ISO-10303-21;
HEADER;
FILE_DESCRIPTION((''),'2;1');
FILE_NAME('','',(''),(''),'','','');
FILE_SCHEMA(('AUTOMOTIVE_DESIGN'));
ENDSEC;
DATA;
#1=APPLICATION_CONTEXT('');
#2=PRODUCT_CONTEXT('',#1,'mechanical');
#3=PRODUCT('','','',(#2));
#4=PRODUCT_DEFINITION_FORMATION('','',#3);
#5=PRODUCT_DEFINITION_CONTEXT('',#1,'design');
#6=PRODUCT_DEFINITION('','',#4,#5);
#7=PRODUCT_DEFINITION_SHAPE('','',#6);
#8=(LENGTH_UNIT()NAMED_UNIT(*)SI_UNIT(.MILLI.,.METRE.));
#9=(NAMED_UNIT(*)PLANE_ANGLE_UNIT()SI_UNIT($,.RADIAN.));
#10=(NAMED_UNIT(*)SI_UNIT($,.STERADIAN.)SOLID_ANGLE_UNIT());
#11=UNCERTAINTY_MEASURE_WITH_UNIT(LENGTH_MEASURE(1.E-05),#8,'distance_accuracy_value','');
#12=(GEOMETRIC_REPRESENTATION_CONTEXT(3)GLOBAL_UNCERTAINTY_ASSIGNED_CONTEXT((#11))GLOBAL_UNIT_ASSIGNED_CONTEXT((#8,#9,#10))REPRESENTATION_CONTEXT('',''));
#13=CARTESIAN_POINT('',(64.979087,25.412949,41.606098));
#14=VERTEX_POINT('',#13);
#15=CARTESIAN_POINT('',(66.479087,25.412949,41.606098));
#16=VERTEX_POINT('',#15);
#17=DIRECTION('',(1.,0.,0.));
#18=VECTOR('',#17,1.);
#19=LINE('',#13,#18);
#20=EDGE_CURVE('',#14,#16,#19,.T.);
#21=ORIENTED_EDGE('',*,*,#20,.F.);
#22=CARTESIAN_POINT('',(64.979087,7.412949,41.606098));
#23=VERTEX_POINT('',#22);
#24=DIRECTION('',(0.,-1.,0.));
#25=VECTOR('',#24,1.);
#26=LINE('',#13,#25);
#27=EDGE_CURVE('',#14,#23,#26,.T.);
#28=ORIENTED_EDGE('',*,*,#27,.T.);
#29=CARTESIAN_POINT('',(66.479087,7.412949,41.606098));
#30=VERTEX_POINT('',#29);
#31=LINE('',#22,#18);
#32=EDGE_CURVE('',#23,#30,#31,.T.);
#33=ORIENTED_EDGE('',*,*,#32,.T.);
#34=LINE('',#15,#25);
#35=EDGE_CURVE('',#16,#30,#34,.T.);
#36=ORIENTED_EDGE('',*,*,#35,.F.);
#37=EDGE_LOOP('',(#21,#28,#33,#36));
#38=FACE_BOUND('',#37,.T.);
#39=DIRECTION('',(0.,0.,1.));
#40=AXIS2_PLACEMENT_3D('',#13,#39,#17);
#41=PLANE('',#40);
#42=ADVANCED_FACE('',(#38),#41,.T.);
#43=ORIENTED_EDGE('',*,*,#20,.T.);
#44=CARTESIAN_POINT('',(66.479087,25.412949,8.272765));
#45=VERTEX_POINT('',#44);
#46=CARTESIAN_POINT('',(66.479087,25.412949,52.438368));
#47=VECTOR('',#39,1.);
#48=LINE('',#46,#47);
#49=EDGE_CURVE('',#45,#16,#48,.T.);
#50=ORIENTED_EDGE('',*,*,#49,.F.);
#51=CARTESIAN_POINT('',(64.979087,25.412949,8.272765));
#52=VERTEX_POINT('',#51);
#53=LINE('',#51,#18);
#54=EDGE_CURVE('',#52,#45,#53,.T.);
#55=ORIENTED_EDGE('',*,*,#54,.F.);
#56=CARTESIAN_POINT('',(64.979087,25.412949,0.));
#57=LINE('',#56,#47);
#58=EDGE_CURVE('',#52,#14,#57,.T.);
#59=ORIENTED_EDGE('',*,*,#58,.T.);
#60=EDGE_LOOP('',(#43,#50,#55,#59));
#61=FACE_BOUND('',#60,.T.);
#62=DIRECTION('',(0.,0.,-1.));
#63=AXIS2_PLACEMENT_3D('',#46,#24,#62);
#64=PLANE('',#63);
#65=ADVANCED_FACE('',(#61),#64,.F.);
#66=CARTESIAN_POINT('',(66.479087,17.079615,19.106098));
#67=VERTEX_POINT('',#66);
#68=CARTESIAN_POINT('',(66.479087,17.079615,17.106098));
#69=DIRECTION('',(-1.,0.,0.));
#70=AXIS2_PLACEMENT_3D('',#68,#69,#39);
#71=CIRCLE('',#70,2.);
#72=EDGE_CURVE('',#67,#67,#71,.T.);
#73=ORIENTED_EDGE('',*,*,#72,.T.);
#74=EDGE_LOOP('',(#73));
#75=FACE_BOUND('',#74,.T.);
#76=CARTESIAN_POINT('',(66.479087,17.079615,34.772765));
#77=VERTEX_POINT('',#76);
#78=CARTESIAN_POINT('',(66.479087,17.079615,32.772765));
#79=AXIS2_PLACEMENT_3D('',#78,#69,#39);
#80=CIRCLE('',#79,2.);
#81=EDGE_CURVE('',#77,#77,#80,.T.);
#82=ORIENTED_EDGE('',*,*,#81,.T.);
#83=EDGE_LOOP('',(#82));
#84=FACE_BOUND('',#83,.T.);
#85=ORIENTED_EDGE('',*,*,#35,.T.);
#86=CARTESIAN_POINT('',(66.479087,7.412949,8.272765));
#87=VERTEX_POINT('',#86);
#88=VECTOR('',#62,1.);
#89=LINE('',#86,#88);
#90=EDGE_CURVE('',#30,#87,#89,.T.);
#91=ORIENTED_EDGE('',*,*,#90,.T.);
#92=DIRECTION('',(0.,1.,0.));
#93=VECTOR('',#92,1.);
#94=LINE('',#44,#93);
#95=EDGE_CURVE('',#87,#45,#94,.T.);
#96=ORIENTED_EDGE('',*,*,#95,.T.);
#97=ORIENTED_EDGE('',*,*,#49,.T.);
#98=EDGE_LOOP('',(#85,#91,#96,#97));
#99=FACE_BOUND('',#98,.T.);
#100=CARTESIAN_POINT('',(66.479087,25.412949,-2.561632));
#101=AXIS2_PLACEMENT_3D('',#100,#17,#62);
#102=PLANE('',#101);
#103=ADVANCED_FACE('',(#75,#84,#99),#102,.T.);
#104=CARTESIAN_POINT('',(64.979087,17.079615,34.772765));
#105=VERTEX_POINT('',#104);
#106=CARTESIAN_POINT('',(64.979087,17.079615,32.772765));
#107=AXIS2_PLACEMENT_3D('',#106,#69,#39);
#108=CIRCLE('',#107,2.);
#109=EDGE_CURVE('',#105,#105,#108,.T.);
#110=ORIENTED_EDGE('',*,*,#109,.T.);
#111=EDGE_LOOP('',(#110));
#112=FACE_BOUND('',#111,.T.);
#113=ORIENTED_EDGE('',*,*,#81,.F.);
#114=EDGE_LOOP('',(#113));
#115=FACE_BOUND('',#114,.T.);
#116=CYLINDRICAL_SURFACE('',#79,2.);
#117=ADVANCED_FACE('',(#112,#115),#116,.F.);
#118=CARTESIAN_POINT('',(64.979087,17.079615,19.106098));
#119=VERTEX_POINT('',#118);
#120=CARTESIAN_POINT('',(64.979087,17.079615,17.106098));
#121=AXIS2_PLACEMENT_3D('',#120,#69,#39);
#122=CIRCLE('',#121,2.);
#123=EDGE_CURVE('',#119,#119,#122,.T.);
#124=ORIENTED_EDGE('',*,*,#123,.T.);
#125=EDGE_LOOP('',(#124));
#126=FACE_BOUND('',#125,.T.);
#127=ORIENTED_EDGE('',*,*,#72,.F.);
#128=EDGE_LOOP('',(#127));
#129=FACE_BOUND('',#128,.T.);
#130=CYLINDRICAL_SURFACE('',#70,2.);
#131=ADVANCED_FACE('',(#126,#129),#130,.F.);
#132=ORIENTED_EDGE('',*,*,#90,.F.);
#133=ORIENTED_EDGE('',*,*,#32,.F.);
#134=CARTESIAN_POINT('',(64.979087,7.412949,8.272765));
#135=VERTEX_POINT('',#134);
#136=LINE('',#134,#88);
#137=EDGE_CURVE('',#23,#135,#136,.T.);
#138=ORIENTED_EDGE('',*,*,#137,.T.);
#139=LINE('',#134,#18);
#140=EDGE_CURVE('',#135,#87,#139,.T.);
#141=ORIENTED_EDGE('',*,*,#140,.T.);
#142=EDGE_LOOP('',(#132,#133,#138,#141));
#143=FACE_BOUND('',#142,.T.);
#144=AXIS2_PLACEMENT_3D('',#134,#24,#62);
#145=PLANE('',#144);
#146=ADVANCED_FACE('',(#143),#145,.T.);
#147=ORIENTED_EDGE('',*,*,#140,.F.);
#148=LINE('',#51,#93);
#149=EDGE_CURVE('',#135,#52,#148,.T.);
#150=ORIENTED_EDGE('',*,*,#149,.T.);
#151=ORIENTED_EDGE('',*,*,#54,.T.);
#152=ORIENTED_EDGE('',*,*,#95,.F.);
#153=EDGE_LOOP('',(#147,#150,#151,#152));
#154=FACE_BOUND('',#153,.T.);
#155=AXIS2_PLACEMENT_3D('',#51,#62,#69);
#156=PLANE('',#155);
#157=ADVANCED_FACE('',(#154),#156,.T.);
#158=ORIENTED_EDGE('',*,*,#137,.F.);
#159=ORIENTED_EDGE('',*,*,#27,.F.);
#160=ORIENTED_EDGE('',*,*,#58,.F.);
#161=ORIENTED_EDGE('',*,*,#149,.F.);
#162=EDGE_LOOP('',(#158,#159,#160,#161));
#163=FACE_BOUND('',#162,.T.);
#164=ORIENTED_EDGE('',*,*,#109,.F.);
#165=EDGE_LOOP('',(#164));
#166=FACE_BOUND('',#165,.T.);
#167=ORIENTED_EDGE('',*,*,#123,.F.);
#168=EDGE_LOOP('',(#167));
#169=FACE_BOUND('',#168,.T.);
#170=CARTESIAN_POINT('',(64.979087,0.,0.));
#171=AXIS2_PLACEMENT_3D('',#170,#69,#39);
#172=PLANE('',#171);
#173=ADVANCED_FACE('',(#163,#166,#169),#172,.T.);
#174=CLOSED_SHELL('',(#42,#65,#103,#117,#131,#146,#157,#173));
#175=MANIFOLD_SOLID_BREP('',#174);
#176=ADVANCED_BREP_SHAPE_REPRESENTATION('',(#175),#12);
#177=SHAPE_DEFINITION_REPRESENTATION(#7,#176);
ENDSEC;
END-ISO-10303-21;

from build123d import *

# Parameters (mm, degrees)
EKSTR_ZYON_NCE1_DEPTH = 50
IZIM2_R               = 3
KES_EKSTR_ZYON1_DEPTH = 78
IZIM3_R               = 0.5
KES_EKSTR_ZYON2_DEPTH = 22
IZIM4_R               = 6
KES_EKSTR_ZYON3_DEPTH = 22
SCALE1_SCALE          = 0.666666667
SKETCH3_W             = 33.333333334
SKETCH3_H             = 19.333333333
CUT_EXTRUDE1_DEPTH    = 2
SKETCH4_W             = 56
SKETCH4_H             = 55
BOSS_EXTRUDE1_DEPTH   = 2
SKETCH5_W             = 33.333333334
SKETCH5_H             = 18
BOSS_EXTRUDE2_DEPTH   = 1.5
SKETCH6_R             = 2
CUT_EXTRUDE2_DEPTH    = 1.5
SKETCH7_W             = 56.964320229
SKETCH7_H             = 23.03419096
CUT_EXTRUDE5_DEPTH    = 56
SKETCH8_W             = 56.142360806
SKETCH8_H             = 4.377004861
CUT_EXTRUDE6_DEPTH    = 2.5


with BuildPart() as part:
    # Çizim1 → Ekstrüzyon-İnce1 (new body)
    with BuildSketch(Plane.XY):
        with BuildLine():
            Line((0, 0), (0, 29))
            ThreePointArc((0, 29), (0.292893219, 29.707106781), (1, 30))
            Line((1, 30), (57, 30))
            ThreePointArc((57, 30), (57.707106781, 29.707106781), (58, 29))
            Line((58, 29), (58, 0))
            Line((58, 0), (57, 0))
            Line((57, 0), (57, 29))
            Line((57, 29), (1, 29))
            Line((1, 29), (1, 0))
            Line((1, 0), (0, 0))
        make_face()
    extrude(amount=EKSTR_ZYON_NCE1_DEPTH)

    # Çizim2 → Kes-Ekstrüzyon1 (cut)
    with BuildSketch(Plane(origin=(58, 0, 0), x_dir=(0, 0, -1), z_dir=(1, 0, 0))):
        with Locations((-36.75, 14.5)):
            Circle(IZIM2_R)
        with Locations((-13.25, 14.5)):
            Circle(IZIM2_R)
    extrude(amount=-KES_EKSTR_ZYON1_DEPTH, mode=Mode.SUBTRACT)

    # Çizim3 → Kes-Ekstrüzyon2 (cut)
    with BuildSketch(Plane.ZY):
        with Locations((46.926319902, 2.636193895)):
            Circle(IZIM3_R)
    extrude(amount=-KES_EKSTR_ZYON2_DEPTH, mode=Mode.SUBTRACT)

    # Çizim4 → Kes-Ekstrüzyon3 (cut)
    with BuildSketch(Plane.ZY):
        with Locations((36.75, 14.5)):
            Circle(IZIM4_R)
    extrude(amount=-KES_EKSTR_ZYON3_DEPTH, mode=Mode.SUBTRACT)


with BuildPart() as part_1:
    # Scale1: scaled about (29.437260205, 22.238846327, 24.818293672)
    add(part.part.scale(SCALE1_SCALE).moved(Location((9.812420068, 7.412948776, 8.272764557))))

    # Sketch3 → Cut-Extrude1 (cut)
    with BuildSketch(Plane(origin=(48.479086735, 0, 0), x_dir=(0, 0, -1), z_dir=(1, 0, 0))):
        with Locations((-24.939431224, 17.079615442)):
            Rectangle(SKETCH3_W, SKETCH3_H)
    extrude(amount=-CUT_EXTRUDE1_DEPTH, mode=Mode.SUBTRACT)

    # Sketch4 → Boss-Extrude1 (add)
    with BuildSketch(Plane(origin=(0, 27.412948776, 0), x_dir=(1, 0, 0), z_dir=(0, 1, 0))):
        with Locations((38.479086736, -24.938368242)):
            Rectangle(SKETCH4_W, SKETCH4_H)
    extrude(amount=-BOSS_EXTRUDE1_DEPTH)

    # Sketch5 → Boss-Extrude2 (add)
    with BuildSketch(Plane(origin=(66.479086736, 0, 0), x_dir=(0, 0, -1), z_dir=(1, 0, 0))):
        with Locations((-24.939431224, 16.412948776)):
            Rectangle(SKETCH5_W, SKETCH5_H)
    extrude(amount=-BOSS_EXTRUDE2_DEPTH)

    # Sketch6 → Cut-Extrude2 (cut)
    with BuildSketch(Plane.ZY.offset(-64.979086736)):
        with Locations((17.106097891, 17.079615442)):
            Circle(SKETCH6_R)
        with Locations((32.772764557, 17.079615442)):
            Circle(SKETCH6_R)
    extrude(amount=-CUT_EXTRUDE2_DEPTH, mode=Mode.SUBTRACT)

    # Sketch7 → Cut-Extrude5 (cut, through all)
    with BuildSketch(Plane(origin=(0, 0, -2.561631758), x_dir=(-1, 0, 0), z_dir=(0, 0, -1))):
        with Locations((-36.496926622, 18.930044256)):
            Rectangle(SKETCH7_W, SKETCH7_H)
    extrude(amount=-CUT_EXTRUDE5_DEPTH, mode=Mode.SUBTRACT)

    # Sketch8 → Cut-Extrude6 (cut, through all)
    with BuildSketch(Plane.ZY.offset(-64.979086736)):
        with Locations((24.367187839, 27.601451207)):
            Rectangle(SKETCH8_W, SKETCH8_H)
    extrude(amount=-CUT_EXTRUDE6_DEPTH, mode=Mode.SUBTRACT)


solid = part_1.part
